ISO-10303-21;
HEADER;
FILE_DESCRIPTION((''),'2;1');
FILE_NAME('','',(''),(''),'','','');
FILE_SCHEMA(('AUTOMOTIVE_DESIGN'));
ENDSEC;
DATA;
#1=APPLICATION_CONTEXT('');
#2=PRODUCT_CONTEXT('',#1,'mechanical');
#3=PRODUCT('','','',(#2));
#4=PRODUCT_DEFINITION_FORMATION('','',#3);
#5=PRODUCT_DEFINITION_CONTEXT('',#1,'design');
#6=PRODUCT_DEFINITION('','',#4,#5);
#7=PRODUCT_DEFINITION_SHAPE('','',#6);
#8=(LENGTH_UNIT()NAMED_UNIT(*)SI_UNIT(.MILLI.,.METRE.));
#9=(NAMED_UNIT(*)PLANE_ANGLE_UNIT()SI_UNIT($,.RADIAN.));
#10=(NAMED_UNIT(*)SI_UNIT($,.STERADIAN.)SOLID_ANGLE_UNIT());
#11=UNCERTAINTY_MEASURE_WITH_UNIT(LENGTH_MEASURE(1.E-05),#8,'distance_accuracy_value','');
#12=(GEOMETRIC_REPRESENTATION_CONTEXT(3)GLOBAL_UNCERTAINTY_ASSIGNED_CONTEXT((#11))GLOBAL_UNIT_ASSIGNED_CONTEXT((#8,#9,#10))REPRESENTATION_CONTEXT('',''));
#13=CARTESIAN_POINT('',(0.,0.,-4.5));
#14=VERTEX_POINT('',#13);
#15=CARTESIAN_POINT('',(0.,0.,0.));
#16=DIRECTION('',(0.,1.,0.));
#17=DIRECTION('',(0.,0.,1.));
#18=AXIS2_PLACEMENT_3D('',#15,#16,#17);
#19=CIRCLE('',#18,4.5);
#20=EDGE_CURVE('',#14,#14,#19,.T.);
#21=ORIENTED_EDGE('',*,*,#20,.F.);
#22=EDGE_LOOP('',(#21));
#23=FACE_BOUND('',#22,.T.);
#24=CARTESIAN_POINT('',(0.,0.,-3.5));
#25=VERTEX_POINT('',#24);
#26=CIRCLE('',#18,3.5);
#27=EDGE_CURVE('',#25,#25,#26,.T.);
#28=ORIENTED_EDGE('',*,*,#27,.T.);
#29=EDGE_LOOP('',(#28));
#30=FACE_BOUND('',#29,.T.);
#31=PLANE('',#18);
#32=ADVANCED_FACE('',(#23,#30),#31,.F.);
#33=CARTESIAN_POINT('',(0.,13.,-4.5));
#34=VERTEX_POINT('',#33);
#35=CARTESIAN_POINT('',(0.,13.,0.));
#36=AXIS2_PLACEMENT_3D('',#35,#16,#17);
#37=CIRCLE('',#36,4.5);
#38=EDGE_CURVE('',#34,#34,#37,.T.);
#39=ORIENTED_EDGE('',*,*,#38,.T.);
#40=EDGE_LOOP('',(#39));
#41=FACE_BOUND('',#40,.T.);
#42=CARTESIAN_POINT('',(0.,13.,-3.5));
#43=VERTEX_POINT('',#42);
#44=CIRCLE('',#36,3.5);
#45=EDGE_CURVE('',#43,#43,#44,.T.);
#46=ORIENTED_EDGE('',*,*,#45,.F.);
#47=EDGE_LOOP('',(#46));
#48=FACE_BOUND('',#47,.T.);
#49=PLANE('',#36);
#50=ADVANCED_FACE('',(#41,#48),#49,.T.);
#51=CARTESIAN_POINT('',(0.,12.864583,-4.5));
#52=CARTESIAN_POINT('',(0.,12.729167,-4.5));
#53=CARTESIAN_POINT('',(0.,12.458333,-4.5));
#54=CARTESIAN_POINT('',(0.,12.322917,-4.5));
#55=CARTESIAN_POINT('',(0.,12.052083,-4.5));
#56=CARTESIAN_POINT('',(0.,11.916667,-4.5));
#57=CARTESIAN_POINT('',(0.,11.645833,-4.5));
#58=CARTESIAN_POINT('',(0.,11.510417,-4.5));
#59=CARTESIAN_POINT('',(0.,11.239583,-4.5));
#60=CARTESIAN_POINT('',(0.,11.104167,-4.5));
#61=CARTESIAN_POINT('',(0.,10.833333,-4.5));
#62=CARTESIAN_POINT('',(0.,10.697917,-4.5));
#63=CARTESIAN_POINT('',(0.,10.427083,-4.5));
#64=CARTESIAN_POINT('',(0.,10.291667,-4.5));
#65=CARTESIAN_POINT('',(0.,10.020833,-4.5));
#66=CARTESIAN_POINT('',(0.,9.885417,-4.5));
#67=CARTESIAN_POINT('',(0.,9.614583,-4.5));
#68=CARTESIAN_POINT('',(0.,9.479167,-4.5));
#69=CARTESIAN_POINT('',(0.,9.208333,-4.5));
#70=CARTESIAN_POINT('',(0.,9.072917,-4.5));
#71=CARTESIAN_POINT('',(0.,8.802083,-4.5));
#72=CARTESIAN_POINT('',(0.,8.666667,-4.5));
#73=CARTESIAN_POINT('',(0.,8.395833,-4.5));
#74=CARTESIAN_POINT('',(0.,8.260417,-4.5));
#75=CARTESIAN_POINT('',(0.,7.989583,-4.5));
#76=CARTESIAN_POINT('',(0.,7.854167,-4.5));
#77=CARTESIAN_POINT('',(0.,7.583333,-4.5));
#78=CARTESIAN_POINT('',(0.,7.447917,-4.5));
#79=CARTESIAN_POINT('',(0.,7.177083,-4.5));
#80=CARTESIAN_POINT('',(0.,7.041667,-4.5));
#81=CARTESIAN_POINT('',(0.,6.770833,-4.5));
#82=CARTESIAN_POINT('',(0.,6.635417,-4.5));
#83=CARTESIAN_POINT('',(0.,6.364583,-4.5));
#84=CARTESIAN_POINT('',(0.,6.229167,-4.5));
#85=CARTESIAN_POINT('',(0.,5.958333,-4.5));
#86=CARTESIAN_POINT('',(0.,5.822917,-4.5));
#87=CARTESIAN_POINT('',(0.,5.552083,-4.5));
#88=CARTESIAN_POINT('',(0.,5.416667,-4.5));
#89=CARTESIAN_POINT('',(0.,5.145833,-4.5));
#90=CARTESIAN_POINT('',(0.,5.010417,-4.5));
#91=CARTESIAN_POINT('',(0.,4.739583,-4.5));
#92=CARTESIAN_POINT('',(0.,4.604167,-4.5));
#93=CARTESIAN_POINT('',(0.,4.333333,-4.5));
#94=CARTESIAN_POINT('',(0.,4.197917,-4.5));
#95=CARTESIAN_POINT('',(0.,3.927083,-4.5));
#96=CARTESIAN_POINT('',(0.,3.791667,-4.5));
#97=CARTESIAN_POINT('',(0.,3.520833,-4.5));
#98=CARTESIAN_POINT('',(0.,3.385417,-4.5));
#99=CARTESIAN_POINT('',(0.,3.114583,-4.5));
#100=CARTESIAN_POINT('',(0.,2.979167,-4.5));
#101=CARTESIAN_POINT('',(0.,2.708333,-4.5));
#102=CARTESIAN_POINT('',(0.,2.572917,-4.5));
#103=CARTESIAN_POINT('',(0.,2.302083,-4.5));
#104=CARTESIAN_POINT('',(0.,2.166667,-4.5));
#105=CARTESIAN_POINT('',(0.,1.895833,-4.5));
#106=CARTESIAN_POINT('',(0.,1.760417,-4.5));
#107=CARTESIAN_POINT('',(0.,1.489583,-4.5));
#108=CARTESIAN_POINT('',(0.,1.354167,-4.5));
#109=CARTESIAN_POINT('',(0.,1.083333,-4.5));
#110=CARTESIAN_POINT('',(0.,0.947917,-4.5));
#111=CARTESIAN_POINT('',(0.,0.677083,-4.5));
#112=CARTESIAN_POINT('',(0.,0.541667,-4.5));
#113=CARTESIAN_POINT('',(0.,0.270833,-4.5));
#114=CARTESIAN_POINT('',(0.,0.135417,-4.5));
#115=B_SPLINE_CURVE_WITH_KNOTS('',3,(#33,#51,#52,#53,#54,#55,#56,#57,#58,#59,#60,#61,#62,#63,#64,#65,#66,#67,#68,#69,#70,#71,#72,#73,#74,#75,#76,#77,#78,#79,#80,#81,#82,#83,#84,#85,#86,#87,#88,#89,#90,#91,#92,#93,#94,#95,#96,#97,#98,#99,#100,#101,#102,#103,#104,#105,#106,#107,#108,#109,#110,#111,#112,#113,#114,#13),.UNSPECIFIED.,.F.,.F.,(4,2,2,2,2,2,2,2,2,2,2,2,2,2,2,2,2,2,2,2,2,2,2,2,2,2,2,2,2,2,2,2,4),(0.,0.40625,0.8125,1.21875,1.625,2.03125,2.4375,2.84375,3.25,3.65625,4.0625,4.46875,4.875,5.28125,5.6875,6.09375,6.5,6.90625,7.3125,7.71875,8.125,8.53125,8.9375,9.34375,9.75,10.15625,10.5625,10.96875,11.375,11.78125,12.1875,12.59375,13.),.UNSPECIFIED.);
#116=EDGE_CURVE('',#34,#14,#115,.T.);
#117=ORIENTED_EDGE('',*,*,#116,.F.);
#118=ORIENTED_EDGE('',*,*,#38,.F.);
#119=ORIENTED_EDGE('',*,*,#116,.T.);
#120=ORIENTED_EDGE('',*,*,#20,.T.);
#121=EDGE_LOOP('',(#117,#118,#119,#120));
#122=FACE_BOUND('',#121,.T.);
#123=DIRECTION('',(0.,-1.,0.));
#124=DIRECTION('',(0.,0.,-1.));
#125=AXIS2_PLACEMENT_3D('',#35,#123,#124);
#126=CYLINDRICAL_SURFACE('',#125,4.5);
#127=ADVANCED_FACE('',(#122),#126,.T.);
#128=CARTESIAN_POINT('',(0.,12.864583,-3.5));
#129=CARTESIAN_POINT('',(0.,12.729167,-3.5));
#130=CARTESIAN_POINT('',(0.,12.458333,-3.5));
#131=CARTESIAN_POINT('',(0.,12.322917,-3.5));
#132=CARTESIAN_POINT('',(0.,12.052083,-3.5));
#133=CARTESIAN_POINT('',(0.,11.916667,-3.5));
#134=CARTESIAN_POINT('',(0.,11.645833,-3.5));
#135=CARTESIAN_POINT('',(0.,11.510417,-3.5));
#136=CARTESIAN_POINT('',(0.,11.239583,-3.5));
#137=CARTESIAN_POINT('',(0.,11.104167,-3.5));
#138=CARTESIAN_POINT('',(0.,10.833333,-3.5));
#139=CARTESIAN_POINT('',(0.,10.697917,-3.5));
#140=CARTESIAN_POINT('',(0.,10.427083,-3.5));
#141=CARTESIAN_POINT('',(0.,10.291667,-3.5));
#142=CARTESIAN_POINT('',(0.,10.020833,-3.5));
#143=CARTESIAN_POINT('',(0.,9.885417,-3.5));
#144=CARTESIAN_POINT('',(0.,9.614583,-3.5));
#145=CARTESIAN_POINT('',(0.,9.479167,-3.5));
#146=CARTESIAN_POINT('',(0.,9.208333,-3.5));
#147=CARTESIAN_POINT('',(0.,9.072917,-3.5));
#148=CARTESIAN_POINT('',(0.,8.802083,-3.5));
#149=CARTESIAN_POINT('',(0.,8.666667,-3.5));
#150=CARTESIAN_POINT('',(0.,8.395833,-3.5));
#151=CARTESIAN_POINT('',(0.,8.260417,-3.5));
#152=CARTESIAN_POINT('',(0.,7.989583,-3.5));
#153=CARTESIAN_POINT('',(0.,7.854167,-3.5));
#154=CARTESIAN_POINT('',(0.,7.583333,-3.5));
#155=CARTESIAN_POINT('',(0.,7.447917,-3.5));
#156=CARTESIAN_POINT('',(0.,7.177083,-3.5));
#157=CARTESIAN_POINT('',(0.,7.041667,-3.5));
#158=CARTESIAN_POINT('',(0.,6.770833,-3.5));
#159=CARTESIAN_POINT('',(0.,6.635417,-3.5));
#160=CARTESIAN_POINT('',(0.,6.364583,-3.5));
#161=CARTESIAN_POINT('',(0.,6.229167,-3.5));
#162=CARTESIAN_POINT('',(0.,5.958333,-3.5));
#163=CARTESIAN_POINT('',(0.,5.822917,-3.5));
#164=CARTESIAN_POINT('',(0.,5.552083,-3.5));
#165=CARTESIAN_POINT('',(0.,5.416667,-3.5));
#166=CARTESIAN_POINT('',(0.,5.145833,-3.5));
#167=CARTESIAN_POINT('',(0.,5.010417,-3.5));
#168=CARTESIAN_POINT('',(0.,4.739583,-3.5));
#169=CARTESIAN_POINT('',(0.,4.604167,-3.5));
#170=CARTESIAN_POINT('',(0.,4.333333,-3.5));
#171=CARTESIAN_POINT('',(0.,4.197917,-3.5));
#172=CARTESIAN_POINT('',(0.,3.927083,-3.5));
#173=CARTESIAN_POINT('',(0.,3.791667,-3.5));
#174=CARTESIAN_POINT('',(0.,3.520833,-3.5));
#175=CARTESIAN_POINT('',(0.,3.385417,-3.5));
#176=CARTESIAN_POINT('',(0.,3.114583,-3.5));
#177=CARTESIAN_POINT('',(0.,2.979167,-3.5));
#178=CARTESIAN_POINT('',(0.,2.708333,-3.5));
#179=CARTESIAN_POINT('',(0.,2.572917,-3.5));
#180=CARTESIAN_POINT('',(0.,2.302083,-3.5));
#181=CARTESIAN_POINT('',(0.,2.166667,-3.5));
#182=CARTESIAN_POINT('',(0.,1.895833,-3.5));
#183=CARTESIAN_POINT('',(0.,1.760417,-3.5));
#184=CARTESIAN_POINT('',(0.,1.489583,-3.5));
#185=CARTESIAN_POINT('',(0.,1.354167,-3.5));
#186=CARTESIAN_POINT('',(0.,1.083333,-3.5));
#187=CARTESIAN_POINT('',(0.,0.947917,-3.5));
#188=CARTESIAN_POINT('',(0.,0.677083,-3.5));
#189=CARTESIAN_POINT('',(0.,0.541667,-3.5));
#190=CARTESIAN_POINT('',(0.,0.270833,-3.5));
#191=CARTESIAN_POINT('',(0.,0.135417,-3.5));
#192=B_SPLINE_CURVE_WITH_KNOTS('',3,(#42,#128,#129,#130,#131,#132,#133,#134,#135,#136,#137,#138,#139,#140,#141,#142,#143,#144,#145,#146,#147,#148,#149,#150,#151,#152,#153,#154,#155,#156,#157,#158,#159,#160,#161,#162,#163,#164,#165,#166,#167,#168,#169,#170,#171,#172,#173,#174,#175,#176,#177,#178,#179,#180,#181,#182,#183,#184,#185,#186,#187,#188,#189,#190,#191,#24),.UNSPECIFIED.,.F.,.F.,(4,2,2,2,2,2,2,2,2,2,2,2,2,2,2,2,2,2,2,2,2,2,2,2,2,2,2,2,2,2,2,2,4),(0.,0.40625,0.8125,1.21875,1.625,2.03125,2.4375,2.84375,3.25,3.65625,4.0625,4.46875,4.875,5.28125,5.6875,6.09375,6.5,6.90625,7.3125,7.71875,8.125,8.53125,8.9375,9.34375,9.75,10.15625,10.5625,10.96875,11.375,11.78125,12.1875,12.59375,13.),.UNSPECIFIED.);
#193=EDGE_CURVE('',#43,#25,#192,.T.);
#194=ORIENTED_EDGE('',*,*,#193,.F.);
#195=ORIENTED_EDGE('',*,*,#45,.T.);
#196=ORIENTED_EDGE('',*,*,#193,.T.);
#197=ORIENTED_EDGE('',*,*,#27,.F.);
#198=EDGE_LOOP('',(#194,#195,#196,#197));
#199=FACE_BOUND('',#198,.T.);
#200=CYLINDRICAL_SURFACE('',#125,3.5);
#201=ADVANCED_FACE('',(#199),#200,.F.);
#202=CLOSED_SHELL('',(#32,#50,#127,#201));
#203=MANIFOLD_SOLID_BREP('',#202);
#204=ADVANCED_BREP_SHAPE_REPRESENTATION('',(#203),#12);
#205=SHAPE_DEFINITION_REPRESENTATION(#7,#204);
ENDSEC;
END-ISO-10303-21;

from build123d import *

# Parameters (mm, degrees)
SKETCH1_R           = 4.5
SKETCH1_R_2         = 3.5
BOSS_EXTRUDE1_DEPTH = 13


with BuildPart() as part:
    # Sketch1 → Boss-Extrude1 (new body)
    with BuildSketch(Plane(origin=(0, 0, 0), x_dir=(1, 0, 0), z_dir=(0, 1, 0))):
        with Locations(Location((0, 0, 0), (0, 0, 90))):
            Circle(SKETCH1_R)
        with Locations(Location((0, 0, 0), (0, 0, 90))):
            Circle(SKETCH1_R_2, mode=Mode.SUBTRACT)
    extrude(amount=BOSS_EXTRUDE1_DEPTH)


solid = part.part
